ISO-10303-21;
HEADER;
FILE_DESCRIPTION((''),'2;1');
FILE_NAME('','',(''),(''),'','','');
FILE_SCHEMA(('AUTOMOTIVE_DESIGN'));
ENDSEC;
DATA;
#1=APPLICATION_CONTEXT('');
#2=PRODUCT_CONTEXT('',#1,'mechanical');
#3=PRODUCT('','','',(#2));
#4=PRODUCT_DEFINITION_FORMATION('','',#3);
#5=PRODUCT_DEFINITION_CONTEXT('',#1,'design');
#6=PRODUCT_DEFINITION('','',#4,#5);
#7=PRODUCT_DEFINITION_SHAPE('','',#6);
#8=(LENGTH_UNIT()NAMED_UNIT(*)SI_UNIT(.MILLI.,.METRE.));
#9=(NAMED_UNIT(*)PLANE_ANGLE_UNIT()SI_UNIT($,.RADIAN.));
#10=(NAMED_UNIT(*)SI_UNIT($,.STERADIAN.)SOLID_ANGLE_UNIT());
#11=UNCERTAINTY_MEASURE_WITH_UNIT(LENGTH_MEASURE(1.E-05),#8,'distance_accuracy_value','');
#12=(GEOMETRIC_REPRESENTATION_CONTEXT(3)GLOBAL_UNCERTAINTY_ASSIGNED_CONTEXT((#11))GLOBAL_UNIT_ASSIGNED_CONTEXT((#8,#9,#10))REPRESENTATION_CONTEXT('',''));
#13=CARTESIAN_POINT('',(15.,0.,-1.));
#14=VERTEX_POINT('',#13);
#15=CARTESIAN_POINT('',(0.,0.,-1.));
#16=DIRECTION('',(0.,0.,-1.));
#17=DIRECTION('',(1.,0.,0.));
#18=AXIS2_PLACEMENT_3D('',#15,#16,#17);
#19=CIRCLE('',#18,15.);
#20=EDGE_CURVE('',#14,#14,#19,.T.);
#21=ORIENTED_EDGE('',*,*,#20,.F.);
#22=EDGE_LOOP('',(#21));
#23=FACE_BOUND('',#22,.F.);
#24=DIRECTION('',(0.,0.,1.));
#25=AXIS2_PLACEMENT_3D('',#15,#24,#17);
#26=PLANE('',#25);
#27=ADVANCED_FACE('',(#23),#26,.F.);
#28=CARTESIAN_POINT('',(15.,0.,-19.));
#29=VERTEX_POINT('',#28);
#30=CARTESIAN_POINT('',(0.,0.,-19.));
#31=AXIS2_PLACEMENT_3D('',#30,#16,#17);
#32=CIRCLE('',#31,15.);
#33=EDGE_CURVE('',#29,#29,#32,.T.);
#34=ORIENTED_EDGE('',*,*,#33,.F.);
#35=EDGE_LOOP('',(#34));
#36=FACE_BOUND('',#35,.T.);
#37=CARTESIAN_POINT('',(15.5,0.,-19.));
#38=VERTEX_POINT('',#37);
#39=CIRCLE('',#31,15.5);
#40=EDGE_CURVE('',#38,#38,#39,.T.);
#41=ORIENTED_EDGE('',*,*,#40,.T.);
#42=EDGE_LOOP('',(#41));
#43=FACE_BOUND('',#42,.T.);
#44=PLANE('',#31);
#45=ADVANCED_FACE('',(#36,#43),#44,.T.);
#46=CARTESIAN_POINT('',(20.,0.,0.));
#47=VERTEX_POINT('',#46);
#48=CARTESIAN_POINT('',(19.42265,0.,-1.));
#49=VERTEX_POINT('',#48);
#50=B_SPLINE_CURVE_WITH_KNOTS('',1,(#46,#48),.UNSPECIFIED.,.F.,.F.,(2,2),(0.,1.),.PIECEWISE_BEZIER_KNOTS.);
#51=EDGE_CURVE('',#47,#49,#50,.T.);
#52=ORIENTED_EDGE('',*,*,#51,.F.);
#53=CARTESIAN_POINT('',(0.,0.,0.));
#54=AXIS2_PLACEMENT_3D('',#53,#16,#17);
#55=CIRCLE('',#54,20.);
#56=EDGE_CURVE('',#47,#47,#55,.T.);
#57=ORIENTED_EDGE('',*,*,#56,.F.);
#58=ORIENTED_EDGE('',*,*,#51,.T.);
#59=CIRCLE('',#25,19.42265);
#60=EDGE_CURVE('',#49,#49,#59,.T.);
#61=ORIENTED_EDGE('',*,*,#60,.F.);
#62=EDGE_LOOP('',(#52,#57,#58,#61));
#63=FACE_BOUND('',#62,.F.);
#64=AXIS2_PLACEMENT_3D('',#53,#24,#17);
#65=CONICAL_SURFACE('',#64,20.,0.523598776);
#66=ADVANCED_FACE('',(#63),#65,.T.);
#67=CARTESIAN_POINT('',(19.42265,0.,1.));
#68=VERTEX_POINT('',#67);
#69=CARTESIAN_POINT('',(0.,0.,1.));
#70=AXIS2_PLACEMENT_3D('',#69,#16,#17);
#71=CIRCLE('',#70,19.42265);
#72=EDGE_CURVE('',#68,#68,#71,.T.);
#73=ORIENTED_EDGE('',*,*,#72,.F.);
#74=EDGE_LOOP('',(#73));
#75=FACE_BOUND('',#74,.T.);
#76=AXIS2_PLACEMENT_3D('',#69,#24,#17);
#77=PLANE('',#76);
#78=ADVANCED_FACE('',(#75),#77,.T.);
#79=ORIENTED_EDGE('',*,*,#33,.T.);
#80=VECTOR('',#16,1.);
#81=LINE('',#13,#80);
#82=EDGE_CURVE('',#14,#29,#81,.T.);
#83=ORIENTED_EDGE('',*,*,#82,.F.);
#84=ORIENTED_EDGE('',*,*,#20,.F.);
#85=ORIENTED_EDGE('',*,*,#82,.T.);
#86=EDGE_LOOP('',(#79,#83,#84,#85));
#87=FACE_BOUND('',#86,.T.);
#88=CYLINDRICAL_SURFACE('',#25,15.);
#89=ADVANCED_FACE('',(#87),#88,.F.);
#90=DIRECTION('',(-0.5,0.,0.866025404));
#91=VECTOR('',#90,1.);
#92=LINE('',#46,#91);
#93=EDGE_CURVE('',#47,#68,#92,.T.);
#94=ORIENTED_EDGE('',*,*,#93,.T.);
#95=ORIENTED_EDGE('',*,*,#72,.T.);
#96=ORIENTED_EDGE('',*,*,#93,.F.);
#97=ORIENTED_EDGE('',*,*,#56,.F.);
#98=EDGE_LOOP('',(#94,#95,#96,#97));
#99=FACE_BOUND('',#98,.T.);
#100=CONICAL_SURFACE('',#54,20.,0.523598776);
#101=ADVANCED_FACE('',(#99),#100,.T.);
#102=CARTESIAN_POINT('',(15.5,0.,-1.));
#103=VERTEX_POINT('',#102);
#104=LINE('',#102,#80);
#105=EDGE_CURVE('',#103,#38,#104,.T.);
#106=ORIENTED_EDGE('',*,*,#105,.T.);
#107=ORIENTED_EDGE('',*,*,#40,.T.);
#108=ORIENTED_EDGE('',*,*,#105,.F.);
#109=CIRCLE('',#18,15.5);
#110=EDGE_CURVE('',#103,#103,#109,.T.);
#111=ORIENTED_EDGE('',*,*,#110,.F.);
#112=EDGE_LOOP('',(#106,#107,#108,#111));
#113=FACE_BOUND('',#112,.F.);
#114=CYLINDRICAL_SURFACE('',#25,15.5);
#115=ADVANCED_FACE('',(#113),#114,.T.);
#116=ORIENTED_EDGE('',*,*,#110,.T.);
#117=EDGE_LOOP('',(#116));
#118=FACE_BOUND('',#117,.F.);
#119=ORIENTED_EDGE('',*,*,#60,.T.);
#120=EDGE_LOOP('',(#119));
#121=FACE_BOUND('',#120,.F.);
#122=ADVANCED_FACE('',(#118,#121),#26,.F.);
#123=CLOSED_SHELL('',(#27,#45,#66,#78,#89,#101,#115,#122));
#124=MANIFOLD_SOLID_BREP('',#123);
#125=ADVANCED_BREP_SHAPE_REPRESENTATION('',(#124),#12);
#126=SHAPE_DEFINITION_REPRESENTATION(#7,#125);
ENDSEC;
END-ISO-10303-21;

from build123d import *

# Parameters (mm, degrees)
F0_R          = 20
F1_DEPTH      = 1
F1_TAPER      = 30
F1_DEPTH_BACK = 1
F1_TAPER_BACK = 30
F2_R          = 15.5
F2_R_2        = 15
F3_DEPTH      = 18


with BuildPart() as f1:
    # F0 (on Top) → F1 (new body, two sides)
    with BuildSketch(Plane.XY) as f1_sk:
        Circle(F0_R)
    extrude(amount=F1_DEPTH, taper=F1_TAPER)
    extrude(f1_sk.sketch, amount=-F1_DEPTH_BACK, taper=F1_TAPER_BACK)

    # F2 (on face) → F3 (join)
    with BuildSketch(Plane(origin=(0, 0, -1), x_dir=(1, 0, 0), z_dir=(0, 0, -1))):
        Circle(F2_R)
        Circle(F2_R_2, mode=Mode.SUBTRACT)
    extrude(amount=F3_DEPTH)


solid = f1.part
